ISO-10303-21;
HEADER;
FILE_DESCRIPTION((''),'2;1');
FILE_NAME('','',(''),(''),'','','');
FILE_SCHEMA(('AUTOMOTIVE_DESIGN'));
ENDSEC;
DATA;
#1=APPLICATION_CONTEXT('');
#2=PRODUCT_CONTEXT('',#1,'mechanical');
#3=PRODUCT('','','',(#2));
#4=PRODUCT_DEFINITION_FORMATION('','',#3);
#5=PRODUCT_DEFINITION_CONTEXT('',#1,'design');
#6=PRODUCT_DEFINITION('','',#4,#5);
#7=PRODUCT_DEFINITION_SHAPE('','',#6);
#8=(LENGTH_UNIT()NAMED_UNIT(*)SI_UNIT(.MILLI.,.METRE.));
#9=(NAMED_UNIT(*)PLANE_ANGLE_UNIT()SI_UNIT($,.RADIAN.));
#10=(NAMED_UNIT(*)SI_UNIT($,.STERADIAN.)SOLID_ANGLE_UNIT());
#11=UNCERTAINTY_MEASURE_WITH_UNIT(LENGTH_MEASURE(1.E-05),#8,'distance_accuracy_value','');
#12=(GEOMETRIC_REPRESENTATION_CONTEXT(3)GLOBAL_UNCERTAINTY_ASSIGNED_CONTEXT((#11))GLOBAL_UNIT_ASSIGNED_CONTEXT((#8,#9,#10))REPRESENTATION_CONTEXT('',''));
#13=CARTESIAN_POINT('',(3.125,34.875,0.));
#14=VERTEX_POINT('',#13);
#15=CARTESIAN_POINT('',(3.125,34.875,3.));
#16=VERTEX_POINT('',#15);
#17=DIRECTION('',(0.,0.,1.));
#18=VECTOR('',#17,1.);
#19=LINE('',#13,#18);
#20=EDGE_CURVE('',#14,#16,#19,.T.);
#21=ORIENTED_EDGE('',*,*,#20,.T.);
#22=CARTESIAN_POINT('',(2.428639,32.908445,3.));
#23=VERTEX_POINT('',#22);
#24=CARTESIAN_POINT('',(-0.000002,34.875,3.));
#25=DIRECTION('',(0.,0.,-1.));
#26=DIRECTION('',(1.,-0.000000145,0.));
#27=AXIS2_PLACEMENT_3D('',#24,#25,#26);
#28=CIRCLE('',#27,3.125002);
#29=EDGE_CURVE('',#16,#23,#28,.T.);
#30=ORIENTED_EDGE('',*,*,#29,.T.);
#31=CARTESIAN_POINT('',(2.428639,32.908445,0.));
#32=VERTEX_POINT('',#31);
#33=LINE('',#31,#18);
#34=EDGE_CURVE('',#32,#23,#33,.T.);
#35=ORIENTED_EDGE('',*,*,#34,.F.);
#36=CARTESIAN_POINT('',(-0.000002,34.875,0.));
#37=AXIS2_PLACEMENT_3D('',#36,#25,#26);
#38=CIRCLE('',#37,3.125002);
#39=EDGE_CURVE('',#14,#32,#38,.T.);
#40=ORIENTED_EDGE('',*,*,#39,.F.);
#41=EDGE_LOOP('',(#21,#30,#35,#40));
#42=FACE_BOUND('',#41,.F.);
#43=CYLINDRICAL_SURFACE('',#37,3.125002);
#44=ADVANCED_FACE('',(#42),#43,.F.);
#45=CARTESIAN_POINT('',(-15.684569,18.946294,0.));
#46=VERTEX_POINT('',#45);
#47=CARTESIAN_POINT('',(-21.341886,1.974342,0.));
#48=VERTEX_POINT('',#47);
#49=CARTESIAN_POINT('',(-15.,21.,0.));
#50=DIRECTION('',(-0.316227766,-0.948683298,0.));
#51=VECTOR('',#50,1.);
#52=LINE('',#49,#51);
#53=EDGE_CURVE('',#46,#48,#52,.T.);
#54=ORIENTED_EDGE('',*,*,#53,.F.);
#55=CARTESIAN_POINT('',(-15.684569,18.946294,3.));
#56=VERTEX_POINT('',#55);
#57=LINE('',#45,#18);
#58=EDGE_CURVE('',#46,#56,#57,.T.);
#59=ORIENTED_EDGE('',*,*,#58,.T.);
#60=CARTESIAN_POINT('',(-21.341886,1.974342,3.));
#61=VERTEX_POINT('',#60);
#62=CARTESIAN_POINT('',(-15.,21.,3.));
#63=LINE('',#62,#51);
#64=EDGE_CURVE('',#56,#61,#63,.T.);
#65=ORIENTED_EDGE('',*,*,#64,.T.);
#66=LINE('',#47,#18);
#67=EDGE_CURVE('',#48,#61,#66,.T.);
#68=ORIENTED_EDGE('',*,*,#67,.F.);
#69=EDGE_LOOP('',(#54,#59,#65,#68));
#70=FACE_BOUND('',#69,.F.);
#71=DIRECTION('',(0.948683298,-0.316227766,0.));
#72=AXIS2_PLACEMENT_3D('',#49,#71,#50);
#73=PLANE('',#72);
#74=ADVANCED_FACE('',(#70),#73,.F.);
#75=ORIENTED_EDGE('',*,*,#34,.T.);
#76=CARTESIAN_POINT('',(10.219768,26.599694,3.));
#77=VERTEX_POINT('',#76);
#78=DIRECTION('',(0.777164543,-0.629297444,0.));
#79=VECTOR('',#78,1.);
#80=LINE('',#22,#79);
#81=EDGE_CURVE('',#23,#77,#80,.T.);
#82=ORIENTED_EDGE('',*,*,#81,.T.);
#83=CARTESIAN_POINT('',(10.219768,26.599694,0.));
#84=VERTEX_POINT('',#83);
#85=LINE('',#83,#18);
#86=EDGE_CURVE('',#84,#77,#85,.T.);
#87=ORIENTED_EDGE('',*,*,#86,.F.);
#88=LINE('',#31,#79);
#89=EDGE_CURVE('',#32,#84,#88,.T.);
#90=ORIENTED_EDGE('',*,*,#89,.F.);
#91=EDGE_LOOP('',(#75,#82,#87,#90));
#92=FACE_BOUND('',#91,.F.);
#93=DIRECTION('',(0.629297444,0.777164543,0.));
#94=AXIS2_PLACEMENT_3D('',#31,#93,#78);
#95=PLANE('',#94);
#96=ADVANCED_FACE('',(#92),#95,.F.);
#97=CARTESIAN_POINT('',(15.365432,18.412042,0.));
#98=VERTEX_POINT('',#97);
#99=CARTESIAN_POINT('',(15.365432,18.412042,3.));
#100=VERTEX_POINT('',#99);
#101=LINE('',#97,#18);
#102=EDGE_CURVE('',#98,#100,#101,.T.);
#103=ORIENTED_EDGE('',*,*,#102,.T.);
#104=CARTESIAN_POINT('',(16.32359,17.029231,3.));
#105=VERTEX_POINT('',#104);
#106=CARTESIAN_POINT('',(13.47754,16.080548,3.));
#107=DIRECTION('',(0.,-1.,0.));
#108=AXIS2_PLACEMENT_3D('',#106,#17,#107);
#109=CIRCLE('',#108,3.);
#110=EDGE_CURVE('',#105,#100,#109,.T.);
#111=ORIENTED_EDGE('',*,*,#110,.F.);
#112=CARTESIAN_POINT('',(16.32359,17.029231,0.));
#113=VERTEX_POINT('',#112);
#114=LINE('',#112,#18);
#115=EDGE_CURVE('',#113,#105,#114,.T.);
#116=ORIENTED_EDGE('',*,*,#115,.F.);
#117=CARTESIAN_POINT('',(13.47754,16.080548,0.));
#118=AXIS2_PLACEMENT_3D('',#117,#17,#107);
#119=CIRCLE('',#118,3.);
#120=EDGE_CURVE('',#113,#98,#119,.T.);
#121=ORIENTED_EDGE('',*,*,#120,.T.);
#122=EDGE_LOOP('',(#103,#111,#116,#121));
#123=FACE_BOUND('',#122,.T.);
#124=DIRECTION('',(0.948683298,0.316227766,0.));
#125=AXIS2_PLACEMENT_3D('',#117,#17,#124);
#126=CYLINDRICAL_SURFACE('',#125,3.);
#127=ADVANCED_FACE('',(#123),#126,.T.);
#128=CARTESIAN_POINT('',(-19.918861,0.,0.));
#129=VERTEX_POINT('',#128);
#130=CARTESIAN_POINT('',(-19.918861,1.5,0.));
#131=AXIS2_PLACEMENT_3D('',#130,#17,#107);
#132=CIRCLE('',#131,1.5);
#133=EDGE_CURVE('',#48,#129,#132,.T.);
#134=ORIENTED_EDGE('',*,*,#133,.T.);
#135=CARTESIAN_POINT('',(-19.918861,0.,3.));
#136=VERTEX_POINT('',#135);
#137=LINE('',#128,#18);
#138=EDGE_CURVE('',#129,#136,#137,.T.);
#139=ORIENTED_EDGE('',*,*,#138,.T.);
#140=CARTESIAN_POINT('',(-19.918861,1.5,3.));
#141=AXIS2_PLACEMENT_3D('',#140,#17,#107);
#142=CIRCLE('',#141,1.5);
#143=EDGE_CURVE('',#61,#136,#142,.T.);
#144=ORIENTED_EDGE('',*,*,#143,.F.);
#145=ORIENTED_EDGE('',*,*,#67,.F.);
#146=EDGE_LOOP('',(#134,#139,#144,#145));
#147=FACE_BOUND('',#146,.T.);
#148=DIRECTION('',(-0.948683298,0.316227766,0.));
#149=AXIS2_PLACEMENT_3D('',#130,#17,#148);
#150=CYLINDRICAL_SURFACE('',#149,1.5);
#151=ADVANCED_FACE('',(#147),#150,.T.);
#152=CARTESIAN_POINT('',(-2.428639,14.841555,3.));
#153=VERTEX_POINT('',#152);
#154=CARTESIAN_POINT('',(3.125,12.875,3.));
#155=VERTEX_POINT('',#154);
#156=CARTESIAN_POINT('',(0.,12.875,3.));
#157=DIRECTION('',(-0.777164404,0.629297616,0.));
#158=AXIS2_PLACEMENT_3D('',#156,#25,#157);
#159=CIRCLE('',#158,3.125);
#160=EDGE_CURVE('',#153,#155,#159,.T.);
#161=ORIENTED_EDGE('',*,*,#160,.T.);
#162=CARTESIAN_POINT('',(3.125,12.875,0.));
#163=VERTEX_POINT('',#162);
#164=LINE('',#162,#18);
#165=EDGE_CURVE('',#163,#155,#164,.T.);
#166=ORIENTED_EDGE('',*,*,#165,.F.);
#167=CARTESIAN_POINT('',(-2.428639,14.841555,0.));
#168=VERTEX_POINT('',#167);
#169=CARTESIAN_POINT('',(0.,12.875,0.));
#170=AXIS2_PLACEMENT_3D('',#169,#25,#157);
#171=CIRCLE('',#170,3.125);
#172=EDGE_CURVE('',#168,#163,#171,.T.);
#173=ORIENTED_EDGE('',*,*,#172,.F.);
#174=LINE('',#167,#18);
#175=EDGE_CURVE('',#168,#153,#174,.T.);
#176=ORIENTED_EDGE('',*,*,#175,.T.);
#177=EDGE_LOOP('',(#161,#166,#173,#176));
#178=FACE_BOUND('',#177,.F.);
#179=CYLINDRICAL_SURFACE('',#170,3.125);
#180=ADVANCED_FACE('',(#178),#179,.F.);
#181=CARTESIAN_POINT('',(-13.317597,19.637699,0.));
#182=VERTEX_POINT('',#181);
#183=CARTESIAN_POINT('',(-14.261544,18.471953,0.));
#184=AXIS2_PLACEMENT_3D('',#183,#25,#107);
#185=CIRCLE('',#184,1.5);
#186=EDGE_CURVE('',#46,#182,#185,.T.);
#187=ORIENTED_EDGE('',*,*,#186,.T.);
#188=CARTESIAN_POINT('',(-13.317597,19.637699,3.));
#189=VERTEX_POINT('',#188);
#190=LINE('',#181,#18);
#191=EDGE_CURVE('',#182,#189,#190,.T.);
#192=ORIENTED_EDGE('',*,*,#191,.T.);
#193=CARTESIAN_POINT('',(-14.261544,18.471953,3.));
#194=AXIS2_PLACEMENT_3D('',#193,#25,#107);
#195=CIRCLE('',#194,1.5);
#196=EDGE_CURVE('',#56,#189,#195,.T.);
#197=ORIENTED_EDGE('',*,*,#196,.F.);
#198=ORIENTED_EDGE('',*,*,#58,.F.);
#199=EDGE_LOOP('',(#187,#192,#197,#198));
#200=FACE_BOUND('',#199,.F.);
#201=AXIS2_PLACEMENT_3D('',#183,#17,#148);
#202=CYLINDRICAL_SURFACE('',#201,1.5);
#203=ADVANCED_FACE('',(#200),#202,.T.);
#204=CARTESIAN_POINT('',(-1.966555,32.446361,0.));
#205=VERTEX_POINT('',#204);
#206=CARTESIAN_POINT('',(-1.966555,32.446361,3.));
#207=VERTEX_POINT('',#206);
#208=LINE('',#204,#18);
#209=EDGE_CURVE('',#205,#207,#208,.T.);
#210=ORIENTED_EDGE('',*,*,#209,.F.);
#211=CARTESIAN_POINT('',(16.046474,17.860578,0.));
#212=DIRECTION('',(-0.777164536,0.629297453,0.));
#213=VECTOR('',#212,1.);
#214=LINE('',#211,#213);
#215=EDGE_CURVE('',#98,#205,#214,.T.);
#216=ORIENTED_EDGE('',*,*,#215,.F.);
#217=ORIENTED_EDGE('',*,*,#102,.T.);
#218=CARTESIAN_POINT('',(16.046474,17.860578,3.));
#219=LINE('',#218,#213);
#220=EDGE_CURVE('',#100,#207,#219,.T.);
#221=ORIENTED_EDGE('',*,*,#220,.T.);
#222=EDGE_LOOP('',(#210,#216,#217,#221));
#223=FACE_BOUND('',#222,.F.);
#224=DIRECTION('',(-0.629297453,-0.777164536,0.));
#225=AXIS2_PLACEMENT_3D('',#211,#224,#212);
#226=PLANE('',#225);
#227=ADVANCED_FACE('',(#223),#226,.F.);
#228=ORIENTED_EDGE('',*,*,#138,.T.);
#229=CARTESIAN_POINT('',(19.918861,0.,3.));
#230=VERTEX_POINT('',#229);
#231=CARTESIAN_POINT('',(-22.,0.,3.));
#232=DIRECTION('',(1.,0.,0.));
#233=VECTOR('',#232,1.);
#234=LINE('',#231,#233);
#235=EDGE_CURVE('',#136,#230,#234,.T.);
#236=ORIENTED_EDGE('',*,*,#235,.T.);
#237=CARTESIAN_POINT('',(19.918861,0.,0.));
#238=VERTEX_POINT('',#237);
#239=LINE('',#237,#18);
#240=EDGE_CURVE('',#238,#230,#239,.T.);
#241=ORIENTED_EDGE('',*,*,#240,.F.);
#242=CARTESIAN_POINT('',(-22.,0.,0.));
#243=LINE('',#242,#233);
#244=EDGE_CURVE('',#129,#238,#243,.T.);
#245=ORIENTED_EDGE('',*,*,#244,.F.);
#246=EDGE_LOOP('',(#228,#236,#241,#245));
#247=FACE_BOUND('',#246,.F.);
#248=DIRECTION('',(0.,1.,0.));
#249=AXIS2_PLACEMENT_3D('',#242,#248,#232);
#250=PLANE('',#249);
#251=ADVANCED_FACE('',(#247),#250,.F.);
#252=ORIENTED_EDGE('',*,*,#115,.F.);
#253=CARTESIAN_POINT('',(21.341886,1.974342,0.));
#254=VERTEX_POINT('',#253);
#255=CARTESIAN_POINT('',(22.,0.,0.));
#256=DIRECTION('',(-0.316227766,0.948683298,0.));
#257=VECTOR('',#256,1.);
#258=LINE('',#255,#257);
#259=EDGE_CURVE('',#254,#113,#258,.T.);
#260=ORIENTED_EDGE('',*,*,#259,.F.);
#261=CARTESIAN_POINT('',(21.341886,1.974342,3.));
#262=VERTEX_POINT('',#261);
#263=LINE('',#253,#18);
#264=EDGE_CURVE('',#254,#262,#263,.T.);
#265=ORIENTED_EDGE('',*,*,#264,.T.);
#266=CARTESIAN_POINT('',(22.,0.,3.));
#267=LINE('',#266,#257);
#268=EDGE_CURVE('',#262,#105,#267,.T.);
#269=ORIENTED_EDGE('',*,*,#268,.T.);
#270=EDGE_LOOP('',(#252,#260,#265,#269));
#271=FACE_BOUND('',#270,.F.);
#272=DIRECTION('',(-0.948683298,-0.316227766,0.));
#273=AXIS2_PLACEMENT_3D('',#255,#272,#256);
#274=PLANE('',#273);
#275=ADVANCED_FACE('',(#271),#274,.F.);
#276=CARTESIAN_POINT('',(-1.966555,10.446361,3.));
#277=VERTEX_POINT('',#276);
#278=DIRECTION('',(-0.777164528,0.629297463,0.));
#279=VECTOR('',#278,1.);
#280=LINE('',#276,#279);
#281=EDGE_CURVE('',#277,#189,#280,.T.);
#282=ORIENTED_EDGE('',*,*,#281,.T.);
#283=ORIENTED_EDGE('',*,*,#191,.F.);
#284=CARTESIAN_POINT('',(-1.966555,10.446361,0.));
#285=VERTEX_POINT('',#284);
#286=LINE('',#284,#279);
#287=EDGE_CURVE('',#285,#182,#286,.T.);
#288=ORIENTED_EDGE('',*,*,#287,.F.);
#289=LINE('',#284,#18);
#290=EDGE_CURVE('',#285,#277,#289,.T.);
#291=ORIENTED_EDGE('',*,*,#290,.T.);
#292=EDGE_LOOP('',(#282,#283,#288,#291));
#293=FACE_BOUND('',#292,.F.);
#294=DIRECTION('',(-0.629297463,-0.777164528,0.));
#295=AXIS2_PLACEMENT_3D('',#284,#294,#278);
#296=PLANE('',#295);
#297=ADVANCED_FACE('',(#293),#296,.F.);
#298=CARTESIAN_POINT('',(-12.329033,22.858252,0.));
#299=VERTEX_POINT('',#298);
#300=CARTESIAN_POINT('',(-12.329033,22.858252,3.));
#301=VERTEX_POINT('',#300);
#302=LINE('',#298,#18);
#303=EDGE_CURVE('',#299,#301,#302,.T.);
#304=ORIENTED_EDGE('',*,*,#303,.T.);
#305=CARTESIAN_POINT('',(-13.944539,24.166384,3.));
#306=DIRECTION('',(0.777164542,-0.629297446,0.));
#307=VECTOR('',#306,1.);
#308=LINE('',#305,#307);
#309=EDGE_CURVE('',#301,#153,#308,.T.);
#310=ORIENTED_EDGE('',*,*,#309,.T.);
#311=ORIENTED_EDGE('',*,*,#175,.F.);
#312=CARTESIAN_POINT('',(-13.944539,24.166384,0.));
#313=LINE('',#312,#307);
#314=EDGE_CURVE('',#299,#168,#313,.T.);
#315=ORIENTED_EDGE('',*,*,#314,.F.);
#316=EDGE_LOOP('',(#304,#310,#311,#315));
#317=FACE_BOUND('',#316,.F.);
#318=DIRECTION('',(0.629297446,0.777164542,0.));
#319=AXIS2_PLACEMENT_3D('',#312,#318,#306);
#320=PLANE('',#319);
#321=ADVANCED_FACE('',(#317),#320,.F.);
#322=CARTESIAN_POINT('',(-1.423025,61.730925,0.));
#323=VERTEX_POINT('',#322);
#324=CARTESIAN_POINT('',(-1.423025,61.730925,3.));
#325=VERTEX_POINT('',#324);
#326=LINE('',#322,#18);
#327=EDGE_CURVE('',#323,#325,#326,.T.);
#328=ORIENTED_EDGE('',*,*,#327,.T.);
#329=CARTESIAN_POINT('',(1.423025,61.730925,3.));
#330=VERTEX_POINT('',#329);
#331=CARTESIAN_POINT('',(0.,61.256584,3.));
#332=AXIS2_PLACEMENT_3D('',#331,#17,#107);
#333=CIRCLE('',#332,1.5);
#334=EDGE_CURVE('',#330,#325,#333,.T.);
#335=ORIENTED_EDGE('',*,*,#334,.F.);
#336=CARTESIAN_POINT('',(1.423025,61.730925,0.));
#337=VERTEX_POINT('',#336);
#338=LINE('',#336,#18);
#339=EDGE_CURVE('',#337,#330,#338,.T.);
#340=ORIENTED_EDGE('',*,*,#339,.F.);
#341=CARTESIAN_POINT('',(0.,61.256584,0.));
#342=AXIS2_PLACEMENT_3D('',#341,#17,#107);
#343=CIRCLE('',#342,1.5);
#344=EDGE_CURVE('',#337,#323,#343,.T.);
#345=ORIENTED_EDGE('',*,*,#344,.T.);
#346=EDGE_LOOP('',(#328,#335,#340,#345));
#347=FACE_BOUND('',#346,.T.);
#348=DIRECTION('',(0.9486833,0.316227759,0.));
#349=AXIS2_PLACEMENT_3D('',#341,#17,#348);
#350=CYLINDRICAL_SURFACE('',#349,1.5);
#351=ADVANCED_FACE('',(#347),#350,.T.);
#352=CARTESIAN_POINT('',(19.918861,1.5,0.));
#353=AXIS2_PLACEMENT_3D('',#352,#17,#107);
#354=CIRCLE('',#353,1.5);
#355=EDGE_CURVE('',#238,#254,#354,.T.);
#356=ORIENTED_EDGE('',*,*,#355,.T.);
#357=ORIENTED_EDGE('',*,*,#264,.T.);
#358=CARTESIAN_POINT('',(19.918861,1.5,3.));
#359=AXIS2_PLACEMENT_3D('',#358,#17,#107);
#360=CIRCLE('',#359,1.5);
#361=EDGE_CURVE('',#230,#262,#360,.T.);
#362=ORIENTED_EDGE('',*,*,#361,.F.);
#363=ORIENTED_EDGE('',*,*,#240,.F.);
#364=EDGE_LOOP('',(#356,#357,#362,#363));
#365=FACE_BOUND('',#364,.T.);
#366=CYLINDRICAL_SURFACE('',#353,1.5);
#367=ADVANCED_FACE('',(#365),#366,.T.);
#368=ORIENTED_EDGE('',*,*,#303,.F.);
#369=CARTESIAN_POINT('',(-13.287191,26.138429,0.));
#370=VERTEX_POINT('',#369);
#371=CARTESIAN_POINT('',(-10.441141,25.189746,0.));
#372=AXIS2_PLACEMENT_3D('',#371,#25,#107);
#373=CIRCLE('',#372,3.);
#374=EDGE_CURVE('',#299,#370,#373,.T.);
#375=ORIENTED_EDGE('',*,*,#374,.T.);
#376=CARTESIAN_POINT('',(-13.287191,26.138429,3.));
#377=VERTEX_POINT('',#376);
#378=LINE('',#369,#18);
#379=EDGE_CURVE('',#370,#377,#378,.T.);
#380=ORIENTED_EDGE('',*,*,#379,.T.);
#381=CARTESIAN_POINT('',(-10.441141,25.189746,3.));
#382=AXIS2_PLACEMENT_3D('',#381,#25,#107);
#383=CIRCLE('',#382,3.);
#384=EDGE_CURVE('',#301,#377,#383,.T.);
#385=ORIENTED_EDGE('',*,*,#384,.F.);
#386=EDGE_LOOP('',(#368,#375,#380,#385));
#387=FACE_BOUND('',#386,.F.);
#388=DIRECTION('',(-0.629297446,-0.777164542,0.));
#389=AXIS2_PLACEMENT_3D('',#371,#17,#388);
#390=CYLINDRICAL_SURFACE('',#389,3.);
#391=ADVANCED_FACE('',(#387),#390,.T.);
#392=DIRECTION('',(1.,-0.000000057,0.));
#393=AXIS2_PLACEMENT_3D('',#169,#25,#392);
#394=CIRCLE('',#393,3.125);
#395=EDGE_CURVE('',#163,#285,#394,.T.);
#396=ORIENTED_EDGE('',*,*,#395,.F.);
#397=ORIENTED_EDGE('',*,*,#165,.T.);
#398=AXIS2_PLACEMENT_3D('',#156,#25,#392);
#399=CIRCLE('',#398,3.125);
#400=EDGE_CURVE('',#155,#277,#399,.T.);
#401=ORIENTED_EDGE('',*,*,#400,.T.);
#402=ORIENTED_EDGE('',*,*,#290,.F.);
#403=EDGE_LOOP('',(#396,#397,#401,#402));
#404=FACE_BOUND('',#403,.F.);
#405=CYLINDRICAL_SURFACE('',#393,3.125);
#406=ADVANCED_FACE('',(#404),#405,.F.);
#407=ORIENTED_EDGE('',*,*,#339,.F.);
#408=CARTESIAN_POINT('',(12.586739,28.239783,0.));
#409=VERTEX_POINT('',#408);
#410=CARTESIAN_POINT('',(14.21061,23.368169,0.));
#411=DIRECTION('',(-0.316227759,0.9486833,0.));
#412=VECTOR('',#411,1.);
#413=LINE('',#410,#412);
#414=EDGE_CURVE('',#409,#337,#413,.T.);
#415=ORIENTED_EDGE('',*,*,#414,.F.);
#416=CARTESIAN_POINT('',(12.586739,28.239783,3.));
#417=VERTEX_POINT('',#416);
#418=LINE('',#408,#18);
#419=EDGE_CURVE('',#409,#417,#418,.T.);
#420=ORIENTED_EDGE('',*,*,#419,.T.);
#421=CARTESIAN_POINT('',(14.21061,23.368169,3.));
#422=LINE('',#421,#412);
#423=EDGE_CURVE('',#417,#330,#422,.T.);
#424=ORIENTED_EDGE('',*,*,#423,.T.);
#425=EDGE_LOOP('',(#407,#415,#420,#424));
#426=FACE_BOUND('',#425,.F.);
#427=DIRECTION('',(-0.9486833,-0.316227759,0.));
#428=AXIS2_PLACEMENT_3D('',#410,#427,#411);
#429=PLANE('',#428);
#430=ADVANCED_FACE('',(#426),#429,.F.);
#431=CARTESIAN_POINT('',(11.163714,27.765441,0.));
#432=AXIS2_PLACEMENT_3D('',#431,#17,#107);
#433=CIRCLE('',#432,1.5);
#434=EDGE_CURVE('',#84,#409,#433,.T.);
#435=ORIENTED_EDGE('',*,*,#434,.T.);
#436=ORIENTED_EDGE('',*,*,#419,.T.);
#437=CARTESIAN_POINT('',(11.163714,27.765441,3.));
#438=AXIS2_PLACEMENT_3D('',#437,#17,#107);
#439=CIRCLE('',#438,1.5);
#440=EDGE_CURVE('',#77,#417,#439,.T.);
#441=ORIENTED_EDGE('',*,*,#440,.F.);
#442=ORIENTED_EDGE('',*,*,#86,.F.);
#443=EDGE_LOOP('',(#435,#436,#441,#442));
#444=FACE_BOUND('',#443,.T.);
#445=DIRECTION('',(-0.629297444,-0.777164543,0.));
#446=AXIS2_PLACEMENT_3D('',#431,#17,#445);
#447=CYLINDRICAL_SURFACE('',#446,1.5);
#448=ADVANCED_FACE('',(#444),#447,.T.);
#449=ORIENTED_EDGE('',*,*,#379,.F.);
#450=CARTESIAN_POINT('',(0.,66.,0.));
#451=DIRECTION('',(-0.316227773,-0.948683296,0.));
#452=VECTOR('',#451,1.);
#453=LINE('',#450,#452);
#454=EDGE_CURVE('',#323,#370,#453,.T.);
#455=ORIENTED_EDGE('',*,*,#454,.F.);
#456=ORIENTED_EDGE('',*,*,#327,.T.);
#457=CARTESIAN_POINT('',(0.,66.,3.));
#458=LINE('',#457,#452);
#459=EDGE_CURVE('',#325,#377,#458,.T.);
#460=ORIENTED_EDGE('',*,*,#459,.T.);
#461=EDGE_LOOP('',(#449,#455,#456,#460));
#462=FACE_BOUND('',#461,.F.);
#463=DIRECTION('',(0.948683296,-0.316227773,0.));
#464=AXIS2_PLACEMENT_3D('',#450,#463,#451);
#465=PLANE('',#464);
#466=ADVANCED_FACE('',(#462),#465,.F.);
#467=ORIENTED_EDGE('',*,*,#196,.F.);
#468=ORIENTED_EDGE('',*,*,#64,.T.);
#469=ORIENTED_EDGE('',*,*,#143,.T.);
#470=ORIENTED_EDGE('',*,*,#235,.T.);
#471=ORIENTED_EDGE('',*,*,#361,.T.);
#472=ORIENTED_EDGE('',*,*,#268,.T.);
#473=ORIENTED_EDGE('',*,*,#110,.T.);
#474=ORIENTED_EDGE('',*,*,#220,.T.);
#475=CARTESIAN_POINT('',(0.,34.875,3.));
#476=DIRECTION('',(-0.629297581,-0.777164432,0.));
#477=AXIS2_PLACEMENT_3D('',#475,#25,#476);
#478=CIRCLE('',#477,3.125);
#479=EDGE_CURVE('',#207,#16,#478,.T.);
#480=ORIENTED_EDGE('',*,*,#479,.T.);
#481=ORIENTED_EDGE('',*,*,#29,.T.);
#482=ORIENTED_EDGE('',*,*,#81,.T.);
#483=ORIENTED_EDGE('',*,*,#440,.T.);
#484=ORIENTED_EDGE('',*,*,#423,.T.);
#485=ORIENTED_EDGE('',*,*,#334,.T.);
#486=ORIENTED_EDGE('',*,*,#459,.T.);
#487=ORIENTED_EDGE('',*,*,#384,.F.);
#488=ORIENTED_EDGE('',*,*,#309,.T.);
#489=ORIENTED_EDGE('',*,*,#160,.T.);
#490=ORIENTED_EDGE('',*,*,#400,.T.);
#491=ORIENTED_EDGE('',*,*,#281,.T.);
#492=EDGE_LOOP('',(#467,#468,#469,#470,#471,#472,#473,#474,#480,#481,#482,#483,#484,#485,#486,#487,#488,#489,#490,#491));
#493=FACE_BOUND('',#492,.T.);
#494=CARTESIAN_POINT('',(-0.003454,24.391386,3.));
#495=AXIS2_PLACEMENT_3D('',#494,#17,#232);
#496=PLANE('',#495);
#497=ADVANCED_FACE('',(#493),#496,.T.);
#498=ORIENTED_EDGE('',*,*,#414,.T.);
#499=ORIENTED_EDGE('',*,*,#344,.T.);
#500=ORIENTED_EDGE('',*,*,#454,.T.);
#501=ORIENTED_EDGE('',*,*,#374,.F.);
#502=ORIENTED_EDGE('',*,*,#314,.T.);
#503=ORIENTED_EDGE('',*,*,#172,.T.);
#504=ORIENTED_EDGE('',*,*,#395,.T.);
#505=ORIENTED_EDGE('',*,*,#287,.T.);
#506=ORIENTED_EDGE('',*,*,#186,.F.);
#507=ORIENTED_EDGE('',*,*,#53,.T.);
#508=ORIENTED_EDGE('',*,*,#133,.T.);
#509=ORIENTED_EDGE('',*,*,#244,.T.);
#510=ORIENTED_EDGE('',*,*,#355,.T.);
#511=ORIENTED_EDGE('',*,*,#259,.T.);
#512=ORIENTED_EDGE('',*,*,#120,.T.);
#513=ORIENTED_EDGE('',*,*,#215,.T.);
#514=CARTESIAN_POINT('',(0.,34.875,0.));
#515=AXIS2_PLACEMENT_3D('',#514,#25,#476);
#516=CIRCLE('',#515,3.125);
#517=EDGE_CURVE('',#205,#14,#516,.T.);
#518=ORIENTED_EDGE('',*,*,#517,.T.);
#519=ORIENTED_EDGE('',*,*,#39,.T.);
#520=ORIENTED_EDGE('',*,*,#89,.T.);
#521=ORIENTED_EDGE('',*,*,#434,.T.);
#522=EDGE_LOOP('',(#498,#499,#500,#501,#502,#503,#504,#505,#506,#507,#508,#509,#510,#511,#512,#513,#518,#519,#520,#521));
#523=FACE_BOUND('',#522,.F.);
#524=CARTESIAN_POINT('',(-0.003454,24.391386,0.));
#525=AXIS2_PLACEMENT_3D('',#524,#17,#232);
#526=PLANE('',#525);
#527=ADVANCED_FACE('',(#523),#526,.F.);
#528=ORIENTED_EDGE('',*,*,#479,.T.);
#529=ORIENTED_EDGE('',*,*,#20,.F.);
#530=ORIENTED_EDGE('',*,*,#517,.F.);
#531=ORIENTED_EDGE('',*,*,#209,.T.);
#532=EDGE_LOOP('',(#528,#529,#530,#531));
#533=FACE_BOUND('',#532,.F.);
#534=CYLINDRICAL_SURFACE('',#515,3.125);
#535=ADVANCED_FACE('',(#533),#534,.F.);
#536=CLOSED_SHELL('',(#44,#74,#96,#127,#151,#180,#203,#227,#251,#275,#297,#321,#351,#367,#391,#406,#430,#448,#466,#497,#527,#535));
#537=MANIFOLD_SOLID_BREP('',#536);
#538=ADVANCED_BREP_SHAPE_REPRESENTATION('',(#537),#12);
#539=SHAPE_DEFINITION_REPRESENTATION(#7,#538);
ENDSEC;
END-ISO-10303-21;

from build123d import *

# Parameters (mm, degrees)
F1_DEPTH = 3
F2_R     = 1.5
F3_R     = 3


with BuildPart() as f1:
    # F0 (on Top) → F1 (new body)
    with BuildSketch(Plane.XY):
        with BuildLine():
            Line((-15, 21), (-22, 0))
            Line((-22, 0), (22, 0))
            Line((22, 0), (16.046474, 17.860578))
            Line((16.046474, 17.860578), (-1.966555, 32.446361))
            ThreePointArc((-1.966555, 32.446361), (-1.345389, 37.695559), (3.125, 34.875))
            ThreePointArc((3.125, 34.875), (2.94577, 33.831897), (2.428639, 32.908445))
            Line((2.428639, 32.908445), (14.21061, 23.368169))
            Line((14.21061, 23.368169), (0, 66))
            Line((0, 66), (-13.944539, 24.166384))
            Line((-13.944539, 24.166384), (-2.428639, 14.841555))
            ThreePointArc((-2.428639, 14.841555), (1.043103, 15.82077), (3.125, 12.875))
            ThreePointArc((3.125, 12.875), (1.345389, 10.054441), (-1.966555, 10.446361))
            Line((-1.966555, 10.446361), (-15, 21))
        make_face()
    extrude(amount=F1_DEPTH)

    # F2
    f2_edges = [f1.edges().sort_by_distance(p)[0] for p in [
        (-22, 0, 1.5),
        (22, 0, 1.5),
        (14.21061, 23.368169, 1.5),
        (0, 66, 1.5),
        (-15, 21, 1.5),
    ]]
    fillet(f2_edges, radius=F2_R)

    # F3
    f3_edges = [f1.edges().sort_by_distance(p)[0] for p in [
        (-13.944539, 24.166384, 1.5),
        (16.046474, 17.860578, 1.5),
    ]]
    fillet(f3_edges, radius=F3_R)


solid = f1.part
